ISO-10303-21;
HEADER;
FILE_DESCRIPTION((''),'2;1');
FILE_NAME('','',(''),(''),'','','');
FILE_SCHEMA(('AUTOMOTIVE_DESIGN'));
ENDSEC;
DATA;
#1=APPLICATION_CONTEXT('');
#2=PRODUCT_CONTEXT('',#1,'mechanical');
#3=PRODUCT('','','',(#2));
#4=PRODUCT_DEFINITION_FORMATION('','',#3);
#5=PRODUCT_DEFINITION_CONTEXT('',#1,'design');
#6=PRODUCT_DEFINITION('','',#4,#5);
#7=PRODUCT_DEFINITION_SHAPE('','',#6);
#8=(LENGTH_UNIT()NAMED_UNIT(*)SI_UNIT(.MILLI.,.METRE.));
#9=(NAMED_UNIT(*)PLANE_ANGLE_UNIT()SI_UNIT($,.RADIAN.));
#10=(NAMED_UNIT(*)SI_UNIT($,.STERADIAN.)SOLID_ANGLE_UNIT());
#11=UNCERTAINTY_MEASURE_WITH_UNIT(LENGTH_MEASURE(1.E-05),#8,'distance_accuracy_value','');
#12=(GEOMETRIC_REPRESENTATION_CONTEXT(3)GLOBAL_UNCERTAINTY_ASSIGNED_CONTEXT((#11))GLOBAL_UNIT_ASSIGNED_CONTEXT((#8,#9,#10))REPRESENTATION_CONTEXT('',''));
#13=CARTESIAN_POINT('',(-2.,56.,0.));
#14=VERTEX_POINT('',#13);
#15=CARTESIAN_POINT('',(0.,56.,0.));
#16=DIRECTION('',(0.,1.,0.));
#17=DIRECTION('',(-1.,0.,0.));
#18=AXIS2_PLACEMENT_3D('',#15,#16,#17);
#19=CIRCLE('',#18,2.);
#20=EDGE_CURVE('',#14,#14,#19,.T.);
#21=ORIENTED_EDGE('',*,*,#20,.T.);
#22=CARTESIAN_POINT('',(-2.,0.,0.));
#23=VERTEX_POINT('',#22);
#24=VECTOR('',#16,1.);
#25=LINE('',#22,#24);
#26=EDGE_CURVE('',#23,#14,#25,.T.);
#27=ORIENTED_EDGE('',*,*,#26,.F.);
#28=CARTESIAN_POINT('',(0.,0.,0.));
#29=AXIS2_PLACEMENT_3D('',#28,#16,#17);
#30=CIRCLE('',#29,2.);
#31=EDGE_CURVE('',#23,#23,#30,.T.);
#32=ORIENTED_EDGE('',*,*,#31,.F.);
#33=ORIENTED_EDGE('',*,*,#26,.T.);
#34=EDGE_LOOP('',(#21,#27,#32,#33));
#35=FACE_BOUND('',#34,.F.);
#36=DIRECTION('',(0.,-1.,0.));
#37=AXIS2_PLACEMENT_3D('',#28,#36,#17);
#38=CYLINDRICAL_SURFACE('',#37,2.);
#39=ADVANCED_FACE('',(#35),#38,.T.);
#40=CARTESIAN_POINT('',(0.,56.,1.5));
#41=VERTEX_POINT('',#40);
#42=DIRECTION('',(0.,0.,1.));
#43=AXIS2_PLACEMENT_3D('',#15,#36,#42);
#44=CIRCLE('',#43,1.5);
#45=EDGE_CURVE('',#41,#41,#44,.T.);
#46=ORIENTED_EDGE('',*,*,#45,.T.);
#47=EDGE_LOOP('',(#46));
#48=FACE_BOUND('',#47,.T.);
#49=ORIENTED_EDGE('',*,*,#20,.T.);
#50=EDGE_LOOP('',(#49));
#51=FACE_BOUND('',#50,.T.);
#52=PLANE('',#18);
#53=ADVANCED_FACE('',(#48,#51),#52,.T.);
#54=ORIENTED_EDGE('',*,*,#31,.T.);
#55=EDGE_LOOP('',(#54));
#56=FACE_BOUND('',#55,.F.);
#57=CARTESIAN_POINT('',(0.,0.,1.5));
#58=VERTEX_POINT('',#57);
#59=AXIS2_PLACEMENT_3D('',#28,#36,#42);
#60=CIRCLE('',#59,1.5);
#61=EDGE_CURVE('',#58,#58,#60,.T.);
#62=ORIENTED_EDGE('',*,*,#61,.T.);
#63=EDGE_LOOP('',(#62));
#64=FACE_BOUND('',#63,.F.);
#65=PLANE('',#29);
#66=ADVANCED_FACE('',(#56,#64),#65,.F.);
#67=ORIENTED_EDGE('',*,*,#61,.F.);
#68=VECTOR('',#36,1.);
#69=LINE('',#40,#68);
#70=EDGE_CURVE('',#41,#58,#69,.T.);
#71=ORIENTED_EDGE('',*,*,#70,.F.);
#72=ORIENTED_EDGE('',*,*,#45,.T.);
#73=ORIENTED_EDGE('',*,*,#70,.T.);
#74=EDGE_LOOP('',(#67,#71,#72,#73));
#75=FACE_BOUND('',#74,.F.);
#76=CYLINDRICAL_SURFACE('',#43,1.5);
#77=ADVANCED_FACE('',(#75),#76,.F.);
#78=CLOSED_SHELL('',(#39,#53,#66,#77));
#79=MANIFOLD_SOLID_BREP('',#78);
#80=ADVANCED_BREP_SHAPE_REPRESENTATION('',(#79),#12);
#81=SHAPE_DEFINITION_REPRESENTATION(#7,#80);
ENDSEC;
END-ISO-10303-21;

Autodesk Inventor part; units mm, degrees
ref_plane "YZ Plane" through (0, 0, 0) normal (1, 0, 0) x (0, 1, 0)
ref_plane "XZ Plane" through (0, 0, 0) normal (0, 1, 0) x (-1, 0, 0)
ref_plane "XY Plane" through (0, 0, 0) normal (0, 0, 1) x (1, 0, 0)
sketch "スケッチ1" plane through (0, 0, 0) normal (0, 1, 0) x (-1, 0, 0)
  circle A0 centre (0, 0) radius 2
  dimension "d0" = 4
extrude "押し出し1" add sketch "スケッチ1" along normal blind 56
sketch "スケッチ2" plane through (0, 56, 0) normal (0, 1, 0) x (1, 0, 0)
  point P0 (0, 0)
  point P1 (0, 0)
hole "穴1" at (0, 56, 0) direction (0, -1, 0) diameter 3 end through all
properties part number "ロボット回転_ベアリングシャフト横" material "アルミニウム 6061"
